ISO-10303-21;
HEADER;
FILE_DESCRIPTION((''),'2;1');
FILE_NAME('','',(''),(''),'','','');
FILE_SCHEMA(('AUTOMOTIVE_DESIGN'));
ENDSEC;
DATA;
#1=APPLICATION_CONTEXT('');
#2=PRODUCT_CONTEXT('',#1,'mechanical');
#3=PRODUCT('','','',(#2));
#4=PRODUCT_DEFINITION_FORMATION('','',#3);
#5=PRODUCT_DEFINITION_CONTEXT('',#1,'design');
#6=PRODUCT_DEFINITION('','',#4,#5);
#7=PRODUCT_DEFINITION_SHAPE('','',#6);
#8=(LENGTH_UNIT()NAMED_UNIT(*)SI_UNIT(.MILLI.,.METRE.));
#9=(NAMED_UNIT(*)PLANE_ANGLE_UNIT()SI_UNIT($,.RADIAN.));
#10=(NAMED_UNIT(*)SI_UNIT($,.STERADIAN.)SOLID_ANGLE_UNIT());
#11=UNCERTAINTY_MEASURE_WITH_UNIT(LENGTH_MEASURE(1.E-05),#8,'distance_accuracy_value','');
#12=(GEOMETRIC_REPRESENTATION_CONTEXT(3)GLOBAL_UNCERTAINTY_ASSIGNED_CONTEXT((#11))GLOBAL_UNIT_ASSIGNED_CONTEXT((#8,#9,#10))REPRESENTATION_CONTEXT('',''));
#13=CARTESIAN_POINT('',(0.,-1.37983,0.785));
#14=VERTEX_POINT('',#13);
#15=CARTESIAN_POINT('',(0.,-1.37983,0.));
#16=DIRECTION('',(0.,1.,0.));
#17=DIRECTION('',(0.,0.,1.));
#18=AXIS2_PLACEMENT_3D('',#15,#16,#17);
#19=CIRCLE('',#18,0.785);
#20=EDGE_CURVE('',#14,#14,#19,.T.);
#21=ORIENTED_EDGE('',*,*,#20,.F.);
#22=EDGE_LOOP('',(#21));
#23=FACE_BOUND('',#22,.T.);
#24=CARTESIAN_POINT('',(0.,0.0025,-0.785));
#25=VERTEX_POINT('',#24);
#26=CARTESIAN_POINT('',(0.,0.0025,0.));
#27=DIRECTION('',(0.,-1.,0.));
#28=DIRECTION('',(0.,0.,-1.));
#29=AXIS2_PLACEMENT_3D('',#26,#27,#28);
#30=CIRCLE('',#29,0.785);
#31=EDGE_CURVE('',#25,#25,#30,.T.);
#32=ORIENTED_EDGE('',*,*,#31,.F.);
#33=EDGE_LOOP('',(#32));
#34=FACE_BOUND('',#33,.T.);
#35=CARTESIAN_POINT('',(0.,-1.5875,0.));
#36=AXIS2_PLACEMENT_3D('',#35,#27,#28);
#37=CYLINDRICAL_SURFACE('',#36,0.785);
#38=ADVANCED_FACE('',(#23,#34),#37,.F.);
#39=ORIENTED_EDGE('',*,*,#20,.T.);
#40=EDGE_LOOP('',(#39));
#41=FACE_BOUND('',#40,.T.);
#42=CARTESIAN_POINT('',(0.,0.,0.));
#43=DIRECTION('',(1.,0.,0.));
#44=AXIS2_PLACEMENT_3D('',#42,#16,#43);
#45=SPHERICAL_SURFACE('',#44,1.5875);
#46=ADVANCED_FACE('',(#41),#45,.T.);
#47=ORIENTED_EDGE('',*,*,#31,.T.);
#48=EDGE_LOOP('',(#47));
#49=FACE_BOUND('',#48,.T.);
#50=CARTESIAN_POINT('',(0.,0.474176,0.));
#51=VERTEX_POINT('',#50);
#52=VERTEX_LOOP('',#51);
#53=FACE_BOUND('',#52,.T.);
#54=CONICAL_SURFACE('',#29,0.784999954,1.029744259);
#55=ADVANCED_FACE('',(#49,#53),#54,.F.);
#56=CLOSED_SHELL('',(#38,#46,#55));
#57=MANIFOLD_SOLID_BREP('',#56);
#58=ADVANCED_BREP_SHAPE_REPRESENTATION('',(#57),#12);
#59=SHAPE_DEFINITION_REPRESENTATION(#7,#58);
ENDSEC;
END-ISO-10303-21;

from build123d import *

# Parameters (mm, degrees)
F_1_16_0_0625_DIAMETER_HOLE1_D     = 1.569999908
F_1_16_0_0625_DIAMETER_HOLE1_DEPTH = 1.59
F_1_16_0_0625_DIAMETER_HOLE1_TIP   = 0.471675558


with BuildPart() as part:
    # Sketch1 → Revolve1 (revolve)
    with BuildSketch(Plane.XY):
        with BuildLine():
            Line((0, 1.5875), (0, -1.5875))
            ThreePointArc((0, -1.5875), (1.5875, 0), (0, 1.5875))
        make_face()
    revolve(axis=Axis((0, 48.640567602, 0), (0, -1, 0)))

    # 1/16 (0.0625) Diameter Hole1
    with Locations(Plane(origin=(0, -1.5875, 0), x_dir=(-1, 0, 0), z_dir=(0, -1, 0))):
        with Locations((0, 0)):
            Hole(F_1_16_0_0625_DIAMETER_HOLE1_D / 2, depth=F_1_16_0_0625_DIAMETER_HOLE1_DEPTH)
            with Locations((0, 0, -(F_1_16_0_0625_DIAMETER_HOLE1_DEPTH + F_1_16_0_0625_DIAMETER_HOLE1_TIP / 2))):  # 118° drill point
                Cone(0, F_1_16_0_0625_DIAMETER_HOLE1_D / 2, F_1_16_0_0625_DIAMETER_HOLE1_TIP, mode=Mode.SUBTRACT)


solid = part.part
